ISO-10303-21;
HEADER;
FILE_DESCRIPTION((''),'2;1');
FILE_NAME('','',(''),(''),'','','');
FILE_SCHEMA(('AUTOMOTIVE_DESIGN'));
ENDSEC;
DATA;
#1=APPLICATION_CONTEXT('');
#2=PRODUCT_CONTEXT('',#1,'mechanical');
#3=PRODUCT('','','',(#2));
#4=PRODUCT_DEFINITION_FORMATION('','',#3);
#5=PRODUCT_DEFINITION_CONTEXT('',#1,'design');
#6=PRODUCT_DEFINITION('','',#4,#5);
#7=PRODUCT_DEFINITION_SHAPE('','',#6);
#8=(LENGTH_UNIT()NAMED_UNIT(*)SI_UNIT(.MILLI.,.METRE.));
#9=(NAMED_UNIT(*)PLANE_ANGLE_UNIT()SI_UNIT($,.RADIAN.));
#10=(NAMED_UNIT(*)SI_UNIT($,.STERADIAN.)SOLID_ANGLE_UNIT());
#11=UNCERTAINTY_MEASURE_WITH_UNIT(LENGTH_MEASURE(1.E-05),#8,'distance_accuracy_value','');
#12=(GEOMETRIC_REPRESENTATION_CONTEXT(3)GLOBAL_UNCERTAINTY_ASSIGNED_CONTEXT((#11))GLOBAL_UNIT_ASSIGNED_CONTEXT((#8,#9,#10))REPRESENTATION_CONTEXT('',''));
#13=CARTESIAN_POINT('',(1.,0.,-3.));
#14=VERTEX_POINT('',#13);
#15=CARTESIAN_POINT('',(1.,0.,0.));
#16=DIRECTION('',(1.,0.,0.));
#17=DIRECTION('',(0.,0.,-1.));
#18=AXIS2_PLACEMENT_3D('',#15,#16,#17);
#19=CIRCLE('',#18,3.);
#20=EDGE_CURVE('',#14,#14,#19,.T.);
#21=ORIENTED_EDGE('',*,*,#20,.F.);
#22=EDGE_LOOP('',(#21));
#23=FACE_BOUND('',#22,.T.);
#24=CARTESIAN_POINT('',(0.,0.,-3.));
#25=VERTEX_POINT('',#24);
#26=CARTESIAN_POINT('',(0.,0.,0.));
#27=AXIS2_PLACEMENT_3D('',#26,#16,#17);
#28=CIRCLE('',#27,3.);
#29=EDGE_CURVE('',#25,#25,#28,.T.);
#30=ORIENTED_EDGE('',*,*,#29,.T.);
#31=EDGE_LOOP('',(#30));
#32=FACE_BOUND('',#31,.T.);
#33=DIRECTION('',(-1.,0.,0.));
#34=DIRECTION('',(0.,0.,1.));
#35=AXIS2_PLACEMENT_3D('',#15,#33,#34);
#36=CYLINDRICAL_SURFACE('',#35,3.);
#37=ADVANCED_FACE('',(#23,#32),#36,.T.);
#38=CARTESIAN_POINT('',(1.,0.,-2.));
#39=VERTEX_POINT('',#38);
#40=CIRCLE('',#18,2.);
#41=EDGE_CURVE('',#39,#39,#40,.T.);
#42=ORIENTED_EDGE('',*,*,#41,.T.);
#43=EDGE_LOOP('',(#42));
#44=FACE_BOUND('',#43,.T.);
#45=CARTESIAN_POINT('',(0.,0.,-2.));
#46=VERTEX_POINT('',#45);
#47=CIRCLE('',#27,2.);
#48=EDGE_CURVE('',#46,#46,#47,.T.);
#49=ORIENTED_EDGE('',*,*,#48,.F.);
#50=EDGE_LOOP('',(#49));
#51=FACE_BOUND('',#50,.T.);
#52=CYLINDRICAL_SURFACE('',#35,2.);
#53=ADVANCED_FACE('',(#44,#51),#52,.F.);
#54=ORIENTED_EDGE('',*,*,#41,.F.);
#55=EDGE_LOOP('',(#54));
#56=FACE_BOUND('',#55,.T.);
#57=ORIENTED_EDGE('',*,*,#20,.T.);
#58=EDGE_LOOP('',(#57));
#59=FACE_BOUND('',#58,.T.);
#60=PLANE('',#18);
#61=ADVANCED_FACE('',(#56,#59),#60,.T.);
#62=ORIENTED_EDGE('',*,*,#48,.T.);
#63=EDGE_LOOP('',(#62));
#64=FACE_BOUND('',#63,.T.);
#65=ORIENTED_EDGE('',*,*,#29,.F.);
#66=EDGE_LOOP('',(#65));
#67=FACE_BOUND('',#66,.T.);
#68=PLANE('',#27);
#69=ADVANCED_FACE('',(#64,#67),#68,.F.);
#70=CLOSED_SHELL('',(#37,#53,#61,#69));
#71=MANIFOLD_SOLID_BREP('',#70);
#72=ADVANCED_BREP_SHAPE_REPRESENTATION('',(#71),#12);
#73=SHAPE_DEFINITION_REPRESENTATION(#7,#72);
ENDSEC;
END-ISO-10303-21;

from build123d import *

# Parameters (mm, degrees)
SKETCH1_R           = 3
SKETCH1_R_2         = 2
BOSS_EXTRUDE1_DEPTH = 1


with BuildPart() as part:
    # Sketch1 → Boss-Extrude1 (new body)
    with BuildSketch(Plane(origin=(0, 0, 0), x_dir=(0, 0, -1), z_dir=(1, 0, 0))):
        Circle(SKETCH1_R)
        Circle(SKETCH1_R_2, mode=Mode.SUBTRACT)
    extrude(amount=BOSS_EXTRUDE1_DEPTH)


solid = part.part
